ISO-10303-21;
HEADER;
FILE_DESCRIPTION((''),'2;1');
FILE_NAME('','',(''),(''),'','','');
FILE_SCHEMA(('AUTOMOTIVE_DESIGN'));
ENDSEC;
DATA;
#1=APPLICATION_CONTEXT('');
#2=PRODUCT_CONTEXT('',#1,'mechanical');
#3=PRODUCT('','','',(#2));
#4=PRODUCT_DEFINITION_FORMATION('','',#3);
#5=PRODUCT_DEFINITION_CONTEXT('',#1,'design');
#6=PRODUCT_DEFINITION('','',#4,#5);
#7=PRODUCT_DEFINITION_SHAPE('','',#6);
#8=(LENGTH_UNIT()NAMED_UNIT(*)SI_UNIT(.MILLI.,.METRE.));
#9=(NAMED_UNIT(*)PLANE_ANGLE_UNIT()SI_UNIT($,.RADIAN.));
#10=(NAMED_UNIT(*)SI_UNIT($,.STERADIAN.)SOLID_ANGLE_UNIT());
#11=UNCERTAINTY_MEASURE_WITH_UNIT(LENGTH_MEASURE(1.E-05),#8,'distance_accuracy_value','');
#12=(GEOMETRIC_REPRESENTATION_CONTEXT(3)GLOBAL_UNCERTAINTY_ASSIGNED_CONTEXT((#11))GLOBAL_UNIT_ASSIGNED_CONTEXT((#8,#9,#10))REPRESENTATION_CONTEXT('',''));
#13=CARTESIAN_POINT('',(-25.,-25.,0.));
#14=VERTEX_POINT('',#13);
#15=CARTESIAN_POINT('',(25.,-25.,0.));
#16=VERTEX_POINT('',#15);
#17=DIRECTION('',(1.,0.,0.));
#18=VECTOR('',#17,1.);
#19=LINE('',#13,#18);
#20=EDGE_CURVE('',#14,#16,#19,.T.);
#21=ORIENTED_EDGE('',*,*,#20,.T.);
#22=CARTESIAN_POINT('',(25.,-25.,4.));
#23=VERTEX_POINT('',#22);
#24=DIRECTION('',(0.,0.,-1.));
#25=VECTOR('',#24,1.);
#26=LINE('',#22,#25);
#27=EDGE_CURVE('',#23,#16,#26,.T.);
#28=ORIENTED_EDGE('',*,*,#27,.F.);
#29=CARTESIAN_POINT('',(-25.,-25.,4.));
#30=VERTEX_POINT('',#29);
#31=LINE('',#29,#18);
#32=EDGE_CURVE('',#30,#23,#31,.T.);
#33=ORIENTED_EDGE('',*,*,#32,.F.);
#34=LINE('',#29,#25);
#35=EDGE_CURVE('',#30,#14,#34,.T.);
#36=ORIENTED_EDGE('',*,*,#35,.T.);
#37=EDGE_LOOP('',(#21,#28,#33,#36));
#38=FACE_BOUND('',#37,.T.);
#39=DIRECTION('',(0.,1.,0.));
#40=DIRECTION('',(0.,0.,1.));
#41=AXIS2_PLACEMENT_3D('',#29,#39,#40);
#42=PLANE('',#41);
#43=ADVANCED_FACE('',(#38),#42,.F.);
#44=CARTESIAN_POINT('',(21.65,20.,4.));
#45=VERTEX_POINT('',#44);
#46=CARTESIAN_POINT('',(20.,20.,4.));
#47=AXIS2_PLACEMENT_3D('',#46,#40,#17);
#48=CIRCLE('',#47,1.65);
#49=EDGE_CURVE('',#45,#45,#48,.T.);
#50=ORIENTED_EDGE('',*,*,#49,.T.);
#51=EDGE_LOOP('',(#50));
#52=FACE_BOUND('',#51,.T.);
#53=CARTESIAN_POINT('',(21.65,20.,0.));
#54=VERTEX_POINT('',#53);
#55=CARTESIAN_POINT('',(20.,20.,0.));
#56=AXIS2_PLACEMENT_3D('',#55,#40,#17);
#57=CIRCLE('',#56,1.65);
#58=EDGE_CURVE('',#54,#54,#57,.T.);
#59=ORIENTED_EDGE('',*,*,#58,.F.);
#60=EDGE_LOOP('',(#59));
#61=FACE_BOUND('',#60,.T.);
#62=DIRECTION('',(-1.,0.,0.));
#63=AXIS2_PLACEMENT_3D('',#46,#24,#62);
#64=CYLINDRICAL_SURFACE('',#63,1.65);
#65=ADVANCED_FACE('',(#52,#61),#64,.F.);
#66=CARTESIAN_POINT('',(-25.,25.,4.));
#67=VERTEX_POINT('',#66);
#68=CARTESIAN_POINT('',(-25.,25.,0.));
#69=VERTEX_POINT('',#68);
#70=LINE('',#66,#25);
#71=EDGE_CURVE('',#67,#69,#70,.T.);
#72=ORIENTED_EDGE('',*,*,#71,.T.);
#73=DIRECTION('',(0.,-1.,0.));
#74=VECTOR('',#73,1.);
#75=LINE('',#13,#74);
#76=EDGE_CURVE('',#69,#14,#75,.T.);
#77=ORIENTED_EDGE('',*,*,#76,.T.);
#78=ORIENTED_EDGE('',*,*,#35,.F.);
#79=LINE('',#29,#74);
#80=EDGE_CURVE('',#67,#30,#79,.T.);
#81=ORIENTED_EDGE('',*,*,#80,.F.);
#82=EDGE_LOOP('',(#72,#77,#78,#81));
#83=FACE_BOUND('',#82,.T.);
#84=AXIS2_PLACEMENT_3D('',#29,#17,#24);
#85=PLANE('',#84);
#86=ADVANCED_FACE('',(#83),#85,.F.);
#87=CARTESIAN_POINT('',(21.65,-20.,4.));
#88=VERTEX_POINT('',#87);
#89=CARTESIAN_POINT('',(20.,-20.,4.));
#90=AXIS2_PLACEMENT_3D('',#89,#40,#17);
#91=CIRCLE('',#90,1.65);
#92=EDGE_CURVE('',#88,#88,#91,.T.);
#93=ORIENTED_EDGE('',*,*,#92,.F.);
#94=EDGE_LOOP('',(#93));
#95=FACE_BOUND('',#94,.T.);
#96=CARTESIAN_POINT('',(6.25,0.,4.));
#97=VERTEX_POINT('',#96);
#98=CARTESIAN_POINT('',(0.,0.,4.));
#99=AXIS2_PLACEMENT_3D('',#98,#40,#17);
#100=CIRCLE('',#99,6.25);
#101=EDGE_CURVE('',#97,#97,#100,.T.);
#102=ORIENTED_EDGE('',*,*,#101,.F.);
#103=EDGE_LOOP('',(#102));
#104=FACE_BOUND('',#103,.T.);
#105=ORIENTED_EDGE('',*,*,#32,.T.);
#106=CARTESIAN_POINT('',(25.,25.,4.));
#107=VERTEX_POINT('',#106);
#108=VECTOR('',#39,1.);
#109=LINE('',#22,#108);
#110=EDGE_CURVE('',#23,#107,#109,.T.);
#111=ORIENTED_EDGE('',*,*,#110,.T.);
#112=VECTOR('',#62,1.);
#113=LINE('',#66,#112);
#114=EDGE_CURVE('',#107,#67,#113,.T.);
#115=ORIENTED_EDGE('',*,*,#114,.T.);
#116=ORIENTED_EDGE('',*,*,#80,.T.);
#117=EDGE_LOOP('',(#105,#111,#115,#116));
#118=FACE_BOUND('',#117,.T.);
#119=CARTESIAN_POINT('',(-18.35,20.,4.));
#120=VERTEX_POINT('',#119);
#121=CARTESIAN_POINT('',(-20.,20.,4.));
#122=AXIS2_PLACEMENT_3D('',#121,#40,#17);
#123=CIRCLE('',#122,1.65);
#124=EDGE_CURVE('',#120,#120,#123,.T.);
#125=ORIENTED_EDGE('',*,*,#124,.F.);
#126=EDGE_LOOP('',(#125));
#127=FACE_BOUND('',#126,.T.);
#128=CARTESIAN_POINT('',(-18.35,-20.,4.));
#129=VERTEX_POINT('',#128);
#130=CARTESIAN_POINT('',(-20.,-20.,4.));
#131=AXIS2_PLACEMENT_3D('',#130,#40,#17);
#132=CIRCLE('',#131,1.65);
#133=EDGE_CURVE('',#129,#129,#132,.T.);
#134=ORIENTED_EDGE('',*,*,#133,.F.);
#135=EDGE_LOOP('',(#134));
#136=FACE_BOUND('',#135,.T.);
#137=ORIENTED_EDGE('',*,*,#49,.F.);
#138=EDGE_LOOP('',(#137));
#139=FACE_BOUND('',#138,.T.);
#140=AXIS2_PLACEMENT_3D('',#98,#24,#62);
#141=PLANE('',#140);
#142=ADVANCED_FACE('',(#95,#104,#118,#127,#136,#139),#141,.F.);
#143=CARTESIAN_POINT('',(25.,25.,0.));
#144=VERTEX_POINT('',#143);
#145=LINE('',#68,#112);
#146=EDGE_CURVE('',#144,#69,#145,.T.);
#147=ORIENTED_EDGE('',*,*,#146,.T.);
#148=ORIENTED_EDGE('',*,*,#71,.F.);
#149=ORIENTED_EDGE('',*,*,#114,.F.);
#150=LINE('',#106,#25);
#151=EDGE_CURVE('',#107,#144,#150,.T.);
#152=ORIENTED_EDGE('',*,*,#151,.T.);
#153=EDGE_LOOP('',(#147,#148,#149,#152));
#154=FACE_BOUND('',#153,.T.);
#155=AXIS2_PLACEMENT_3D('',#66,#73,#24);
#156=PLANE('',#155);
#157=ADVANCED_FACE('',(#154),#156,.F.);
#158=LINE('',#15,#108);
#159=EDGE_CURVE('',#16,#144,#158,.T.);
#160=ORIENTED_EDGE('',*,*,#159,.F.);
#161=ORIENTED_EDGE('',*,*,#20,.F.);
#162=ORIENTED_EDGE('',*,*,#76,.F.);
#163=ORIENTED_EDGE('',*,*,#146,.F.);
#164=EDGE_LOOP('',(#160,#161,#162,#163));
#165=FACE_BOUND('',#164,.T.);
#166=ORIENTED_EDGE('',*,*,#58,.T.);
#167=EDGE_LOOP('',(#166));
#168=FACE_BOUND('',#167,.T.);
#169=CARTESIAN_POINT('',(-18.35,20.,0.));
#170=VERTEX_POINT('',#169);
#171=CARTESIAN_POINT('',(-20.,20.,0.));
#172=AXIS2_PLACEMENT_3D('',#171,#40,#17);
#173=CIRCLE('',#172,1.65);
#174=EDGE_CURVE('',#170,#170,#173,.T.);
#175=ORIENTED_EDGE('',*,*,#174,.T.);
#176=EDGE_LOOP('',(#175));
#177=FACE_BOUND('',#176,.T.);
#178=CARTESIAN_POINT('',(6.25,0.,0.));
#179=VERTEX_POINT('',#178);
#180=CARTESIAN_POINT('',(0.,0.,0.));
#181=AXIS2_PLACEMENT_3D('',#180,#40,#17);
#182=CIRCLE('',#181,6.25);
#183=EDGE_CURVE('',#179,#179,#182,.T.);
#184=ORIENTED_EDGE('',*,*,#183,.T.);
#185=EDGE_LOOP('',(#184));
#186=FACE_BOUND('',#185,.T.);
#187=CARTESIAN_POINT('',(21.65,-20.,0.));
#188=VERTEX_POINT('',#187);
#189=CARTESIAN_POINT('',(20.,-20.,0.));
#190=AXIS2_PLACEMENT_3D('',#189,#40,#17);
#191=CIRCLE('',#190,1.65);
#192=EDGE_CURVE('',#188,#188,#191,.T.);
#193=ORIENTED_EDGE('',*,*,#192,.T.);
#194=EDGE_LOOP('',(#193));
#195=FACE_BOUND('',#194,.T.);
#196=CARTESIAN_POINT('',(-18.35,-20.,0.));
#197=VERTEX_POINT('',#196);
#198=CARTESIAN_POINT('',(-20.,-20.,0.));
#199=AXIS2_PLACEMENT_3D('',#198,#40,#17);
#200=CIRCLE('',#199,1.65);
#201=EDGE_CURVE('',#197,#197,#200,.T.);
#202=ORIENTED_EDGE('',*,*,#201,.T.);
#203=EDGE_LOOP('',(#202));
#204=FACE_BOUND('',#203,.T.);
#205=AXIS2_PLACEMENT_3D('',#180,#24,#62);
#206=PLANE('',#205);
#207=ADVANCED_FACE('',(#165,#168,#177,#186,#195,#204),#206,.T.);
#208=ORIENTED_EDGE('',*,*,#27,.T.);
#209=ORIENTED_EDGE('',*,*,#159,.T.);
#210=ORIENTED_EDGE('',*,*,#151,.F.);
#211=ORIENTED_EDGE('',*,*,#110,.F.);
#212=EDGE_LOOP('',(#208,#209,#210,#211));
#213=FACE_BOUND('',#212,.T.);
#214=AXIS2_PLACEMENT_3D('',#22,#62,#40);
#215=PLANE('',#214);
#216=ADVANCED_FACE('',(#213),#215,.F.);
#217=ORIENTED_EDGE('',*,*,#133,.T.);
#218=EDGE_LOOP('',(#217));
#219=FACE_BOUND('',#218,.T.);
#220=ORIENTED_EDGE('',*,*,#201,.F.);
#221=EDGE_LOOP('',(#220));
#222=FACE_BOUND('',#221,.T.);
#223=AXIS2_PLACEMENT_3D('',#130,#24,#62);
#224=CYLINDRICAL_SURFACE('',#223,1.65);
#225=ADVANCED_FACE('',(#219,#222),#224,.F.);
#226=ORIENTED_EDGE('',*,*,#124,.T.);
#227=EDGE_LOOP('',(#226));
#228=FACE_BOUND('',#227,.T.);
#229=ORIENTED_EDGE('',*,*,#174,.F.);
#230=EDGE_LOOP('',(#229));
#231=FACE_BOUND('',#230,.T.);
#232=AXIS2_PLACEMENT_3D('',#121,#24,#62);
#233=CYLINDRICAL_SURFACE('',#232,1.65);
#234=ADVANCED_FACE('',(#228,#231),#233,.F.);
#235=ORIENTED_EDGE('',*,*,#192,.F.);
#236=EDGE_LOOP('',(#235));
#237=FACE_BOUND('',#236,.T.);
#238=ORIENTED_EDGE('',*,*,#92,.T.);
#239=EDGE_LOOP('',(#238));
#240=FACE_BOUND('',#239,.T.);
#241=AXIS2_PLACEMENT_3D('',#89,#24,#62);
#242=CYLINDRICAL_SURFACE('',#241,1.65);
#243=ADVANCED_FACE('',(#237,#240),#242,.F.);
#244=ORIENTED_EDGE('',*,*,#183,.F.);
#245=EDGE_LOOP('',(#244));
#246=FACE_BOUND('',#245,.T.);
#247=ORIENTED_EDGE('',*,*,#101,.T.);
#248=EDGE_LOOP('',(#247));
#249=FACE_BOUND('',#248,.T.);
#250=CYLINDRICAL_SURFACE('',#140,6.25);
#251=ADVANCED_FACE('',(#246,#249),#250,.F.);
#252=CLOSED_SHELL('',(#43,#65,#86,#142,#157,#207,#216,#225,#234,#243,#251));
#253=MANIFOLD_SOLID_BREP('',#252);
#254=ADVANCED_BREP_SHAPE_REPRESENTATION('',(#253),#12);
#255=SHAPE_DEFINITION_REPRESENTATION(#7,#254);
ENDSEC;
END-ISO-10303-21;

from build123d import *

# Parameters (mm, degrees)
SKETCH_1_W      = 50
SKETCH_1_H      = 50
SKETCH_1_R      = 1.65
SKETCH_1_R_2    = 6.25
EXTRUDE_1_DEPTH = 4


with BuildPart() as part:
    # 草图1 → 凸台-拉伸1 (new body)
    with BuildSketch(Plane.XY):
        Rectangle(SKETCH_1_W, SKETCH_1_H)
        with Locations((-20, -20)):
            Circle(SKETCH_1_R, mode=Mode.SUBTRACT)
        with Locations((-20, 20)):
            Circle(SKETCH_1_R, mode=Mode.SUBTRACT)
        with Locations((20, 20)):
            Circle(SKETCH_1_R, mode=Mode.SUBTRACT)
        with Locations((20, -20)):
            Circle(SKETCH_1_R, mode=Mode.SUBTRACT)
        Circle(SKETCH_1_R_2, mode=Mode.SUBTRACT)
    extrude(amount=EXTRUDE_1_DEPTH)


solid = part.part
